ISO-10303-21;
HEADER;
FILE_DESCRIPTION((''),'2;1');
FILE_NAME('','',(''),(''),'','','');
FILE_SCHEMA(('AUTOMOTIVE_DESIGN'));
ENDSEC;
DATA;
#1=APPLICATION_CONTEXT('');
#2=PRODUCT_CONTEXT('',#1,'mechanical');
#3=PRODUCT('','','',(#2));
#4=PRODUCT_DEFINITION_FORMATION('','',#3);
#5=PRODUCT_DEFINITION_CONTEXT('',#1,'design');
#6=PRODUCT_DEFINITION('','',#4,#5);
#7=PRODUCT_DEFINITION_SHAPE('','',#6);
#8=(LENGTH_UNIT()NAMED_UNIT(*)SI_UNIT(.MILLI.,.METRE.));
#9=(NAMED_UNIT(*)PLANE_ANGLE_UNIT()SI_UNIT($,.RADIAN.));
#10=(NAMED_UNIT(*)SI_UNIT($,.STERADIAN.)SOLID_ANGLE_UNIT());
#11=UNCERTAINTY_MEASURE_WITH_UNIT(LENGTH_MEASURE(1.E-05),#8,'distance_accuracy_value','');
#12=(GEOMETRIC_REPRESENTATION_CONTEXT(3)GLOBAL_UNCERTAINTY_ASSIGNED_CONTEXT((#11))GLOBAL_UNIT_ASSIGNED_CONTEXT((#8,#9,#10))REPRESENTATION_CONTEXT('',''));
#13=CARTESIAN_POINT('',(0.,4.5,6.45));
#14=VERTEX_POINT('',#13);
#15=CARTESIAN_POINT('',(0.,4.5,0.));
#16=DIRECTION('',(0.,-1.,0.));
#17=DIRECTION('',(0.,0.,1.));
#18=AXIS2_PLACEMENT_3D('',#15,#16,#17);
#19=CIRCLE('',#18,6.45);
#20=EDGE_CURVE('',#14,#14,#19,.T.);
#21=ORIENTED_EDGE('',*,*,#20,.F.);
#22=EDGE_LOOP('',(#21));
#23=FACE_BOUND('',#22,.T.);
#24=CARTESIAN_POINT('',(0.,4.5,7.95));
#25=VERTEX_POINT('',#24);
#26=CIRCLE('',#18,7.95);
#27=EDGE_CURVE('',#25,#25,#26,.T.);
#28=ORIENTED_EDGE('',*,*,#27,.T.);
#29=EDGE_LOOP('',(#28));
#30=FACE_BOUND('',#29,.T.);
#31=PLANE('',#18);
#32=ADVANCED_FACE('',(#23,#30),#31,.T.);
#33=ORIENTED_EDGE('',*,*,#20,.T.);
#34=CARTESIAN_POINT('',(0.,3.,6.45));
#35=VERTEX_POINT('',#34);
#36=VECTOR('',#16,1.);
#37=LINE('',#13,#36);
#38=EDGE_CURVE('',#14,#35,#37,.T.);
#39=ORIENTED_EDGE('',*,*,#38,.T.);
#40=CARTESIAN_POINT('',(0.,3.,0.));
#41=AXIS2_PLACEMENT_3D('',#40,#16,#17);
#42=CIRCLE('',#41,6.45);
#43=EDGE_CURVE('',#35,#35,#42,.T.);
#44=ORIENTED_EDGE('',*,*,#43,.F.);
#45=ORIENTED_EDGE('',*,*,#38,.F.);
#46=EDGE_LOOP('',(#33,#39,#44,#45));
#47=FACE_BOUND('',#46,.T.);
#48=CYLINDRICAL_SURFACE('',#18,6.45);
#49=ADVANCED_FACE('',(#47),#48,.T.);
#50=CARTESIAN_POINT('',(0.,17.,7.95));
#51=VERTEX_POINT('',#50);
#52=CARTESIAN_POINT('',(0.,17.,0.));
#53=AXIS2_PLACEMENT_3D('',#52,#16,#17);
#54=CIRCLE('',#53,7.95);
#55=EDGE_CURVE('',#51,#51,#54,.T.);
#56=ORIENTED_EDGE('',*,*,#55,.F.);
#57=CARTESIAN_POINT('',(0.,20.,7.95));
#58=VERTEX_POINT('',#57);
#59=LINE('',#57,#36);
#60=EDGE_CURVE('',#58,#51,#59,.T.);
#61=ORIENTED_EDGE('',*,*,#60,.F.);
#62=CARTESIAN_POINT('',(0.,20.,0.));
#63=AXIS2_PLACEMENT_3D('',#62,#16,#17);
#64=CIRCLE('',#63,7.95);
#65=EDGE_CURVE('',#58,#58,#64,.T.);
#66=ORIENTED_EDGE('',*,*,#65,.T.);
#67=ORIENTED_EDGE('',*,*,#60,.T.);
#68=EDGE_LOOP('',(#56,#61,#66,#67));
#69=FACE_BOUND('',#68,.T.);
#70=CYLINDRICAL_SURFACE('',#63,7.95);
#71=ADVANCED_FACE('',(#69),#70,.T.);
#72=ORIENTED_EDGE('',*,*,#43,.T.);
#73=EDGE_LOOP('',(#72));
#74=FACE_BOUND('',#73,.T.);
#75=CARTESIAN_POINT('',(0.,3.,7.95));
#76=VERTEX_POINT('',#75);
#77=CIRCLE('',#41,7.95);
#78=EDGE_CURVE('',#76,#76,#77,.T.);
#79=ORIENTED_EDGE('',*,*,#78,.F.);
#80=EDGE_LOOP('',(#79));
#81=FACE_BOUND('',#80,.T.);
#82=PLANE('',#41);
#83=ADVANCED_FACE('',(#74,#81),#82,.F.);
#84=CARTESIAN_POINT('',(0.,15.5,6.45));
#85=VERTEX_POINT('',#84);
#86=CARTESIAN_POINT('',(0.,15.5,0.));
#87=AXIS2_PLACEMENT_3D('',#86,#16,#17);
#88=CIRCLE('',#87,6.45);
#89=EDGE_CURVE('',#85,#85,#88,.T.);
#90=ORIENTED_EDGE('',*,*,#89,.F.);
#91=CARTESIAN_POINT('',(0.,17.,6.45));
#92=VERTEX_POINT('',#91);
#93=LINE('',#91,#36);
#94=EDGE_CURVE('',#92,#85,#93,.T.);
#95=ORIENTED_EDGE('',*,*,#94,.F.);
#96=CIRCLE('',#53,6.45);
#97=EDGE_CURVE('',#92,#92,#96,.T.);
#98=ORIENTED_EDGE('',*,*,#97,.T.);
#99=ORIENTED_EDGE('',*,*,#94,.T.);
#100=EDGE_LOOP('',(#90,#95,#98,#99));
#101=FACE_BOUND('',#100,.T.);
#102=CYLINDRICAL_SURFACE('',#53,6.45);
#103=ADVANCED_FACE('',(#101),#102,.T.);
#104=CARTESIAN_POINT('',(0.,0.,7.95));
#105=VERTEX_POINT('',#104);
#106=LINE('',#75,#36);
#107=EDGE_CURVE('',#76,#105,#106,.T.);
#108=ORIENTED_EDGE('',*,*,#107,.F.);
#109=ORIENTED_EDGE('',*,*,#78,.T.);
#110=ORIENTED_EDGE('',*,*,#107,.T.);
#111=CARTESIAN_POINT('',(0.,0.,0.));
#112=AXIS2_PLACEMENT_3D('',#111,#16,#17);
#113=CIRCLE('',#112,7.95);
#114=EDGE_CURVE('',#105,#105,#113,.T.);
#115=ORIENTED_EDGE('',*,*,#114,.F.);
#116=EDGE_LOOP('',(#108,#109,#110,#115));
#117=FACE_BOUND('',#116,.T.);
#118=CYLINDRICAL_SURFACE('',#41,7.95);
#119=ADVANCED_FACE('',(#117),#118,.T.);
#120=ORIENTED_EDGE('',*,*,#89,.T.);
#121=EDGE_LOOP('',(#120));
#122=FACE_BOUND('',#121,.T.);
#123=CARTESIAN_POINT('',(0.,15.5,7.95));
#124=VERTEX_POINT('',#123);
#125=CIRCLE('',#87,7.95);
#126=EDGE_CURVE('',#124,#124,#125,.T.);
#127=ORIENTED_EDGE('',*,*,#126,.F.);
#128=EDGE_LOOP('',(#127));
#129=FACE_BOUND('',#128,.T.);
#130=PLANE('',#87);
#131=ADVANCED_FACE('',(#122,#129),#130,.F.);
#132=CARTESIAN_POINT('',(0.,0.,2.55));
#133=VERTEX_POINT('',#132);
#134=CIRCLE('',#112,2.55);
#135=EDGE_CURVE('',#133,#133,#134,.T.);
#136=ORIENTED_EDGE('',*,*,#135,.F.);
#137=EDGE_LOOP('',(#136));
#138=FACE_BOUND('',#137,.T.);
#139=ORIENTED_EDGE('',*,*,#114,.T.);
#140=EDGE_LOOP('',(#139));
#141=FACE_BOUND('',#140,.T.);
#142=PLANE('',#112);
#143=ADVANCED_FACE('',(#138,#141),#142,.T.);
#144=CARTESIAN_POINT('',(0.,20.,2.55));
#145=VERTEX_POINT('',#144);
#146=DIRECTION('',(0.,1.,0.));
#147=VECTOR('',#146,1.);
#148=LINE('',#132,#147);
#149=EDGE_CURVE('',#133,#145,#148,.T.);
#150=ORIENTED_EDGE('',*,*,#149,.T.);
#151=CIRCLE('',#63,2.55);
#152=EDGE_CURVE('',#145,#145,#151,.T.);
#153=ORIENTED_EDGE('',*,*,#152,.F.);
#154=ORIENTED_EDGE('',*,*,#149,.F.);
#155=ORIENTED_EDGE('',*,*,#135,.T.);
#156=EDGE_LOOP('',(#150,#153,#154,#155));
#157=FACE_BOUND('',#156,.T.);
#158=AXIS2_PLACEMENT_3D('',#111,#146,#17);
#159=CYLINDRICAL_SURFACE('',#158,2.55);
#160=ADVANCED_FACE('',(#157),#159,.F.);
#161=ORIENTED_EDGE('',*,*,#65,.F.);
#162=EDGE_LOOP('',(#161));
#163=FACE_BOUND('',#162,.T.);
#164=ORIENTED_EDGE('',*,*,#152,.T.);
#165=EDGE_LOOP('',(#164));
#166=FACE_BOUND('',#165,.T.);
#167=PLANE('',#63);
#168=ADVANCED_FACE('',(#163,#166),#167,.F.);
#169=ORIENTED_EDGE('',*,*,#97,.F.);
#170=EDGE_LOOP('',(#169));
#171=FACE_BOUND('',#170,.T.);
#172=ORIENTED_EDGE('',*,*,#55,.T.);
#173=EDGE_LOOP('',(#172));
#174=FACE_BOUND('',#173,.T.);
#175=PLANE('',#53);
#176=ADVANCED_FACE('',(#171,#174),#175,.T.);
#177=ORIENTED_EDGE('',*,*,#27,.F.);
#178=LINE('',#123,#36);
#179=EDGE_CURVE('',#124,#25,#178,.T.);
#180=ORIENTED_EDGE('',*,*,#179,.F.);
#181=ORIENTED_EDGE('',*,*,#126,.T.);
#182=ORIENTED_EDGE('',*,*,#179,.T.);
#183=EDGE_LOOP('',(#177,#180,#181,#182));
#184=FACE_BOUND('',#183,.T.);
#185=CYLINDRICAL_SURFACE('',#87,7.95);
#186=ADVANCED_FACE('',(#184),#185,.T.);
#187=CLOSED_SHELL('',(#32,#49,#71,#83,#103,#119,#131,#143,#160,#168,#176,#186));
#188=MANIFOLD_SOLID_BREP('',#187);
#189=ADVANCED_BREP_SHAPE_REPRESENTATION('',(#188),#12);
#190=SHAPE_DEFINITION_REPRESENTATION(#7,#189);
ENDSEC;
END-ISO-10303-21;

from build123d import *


with BuildPart() as f1:
    # F0 (on Right) → F1 (revolve)
    with BuildSketch(Plane.YZ):
        Polygon((0, 2.55), (20, 2.55), (20, 4.95), (20, 7.95), (17, 7.95), (17, 6.45), (15.5, 6.45), (15.5, 7.95), (4.5, 7.95), (4.5, 6.45), (3, 6.45), (3, 7.95), (0, 7.95), align=None)
    revolve(axis=Axis((0, 5.735075, 0), (0, -1, 0)))


solid = f1.part
